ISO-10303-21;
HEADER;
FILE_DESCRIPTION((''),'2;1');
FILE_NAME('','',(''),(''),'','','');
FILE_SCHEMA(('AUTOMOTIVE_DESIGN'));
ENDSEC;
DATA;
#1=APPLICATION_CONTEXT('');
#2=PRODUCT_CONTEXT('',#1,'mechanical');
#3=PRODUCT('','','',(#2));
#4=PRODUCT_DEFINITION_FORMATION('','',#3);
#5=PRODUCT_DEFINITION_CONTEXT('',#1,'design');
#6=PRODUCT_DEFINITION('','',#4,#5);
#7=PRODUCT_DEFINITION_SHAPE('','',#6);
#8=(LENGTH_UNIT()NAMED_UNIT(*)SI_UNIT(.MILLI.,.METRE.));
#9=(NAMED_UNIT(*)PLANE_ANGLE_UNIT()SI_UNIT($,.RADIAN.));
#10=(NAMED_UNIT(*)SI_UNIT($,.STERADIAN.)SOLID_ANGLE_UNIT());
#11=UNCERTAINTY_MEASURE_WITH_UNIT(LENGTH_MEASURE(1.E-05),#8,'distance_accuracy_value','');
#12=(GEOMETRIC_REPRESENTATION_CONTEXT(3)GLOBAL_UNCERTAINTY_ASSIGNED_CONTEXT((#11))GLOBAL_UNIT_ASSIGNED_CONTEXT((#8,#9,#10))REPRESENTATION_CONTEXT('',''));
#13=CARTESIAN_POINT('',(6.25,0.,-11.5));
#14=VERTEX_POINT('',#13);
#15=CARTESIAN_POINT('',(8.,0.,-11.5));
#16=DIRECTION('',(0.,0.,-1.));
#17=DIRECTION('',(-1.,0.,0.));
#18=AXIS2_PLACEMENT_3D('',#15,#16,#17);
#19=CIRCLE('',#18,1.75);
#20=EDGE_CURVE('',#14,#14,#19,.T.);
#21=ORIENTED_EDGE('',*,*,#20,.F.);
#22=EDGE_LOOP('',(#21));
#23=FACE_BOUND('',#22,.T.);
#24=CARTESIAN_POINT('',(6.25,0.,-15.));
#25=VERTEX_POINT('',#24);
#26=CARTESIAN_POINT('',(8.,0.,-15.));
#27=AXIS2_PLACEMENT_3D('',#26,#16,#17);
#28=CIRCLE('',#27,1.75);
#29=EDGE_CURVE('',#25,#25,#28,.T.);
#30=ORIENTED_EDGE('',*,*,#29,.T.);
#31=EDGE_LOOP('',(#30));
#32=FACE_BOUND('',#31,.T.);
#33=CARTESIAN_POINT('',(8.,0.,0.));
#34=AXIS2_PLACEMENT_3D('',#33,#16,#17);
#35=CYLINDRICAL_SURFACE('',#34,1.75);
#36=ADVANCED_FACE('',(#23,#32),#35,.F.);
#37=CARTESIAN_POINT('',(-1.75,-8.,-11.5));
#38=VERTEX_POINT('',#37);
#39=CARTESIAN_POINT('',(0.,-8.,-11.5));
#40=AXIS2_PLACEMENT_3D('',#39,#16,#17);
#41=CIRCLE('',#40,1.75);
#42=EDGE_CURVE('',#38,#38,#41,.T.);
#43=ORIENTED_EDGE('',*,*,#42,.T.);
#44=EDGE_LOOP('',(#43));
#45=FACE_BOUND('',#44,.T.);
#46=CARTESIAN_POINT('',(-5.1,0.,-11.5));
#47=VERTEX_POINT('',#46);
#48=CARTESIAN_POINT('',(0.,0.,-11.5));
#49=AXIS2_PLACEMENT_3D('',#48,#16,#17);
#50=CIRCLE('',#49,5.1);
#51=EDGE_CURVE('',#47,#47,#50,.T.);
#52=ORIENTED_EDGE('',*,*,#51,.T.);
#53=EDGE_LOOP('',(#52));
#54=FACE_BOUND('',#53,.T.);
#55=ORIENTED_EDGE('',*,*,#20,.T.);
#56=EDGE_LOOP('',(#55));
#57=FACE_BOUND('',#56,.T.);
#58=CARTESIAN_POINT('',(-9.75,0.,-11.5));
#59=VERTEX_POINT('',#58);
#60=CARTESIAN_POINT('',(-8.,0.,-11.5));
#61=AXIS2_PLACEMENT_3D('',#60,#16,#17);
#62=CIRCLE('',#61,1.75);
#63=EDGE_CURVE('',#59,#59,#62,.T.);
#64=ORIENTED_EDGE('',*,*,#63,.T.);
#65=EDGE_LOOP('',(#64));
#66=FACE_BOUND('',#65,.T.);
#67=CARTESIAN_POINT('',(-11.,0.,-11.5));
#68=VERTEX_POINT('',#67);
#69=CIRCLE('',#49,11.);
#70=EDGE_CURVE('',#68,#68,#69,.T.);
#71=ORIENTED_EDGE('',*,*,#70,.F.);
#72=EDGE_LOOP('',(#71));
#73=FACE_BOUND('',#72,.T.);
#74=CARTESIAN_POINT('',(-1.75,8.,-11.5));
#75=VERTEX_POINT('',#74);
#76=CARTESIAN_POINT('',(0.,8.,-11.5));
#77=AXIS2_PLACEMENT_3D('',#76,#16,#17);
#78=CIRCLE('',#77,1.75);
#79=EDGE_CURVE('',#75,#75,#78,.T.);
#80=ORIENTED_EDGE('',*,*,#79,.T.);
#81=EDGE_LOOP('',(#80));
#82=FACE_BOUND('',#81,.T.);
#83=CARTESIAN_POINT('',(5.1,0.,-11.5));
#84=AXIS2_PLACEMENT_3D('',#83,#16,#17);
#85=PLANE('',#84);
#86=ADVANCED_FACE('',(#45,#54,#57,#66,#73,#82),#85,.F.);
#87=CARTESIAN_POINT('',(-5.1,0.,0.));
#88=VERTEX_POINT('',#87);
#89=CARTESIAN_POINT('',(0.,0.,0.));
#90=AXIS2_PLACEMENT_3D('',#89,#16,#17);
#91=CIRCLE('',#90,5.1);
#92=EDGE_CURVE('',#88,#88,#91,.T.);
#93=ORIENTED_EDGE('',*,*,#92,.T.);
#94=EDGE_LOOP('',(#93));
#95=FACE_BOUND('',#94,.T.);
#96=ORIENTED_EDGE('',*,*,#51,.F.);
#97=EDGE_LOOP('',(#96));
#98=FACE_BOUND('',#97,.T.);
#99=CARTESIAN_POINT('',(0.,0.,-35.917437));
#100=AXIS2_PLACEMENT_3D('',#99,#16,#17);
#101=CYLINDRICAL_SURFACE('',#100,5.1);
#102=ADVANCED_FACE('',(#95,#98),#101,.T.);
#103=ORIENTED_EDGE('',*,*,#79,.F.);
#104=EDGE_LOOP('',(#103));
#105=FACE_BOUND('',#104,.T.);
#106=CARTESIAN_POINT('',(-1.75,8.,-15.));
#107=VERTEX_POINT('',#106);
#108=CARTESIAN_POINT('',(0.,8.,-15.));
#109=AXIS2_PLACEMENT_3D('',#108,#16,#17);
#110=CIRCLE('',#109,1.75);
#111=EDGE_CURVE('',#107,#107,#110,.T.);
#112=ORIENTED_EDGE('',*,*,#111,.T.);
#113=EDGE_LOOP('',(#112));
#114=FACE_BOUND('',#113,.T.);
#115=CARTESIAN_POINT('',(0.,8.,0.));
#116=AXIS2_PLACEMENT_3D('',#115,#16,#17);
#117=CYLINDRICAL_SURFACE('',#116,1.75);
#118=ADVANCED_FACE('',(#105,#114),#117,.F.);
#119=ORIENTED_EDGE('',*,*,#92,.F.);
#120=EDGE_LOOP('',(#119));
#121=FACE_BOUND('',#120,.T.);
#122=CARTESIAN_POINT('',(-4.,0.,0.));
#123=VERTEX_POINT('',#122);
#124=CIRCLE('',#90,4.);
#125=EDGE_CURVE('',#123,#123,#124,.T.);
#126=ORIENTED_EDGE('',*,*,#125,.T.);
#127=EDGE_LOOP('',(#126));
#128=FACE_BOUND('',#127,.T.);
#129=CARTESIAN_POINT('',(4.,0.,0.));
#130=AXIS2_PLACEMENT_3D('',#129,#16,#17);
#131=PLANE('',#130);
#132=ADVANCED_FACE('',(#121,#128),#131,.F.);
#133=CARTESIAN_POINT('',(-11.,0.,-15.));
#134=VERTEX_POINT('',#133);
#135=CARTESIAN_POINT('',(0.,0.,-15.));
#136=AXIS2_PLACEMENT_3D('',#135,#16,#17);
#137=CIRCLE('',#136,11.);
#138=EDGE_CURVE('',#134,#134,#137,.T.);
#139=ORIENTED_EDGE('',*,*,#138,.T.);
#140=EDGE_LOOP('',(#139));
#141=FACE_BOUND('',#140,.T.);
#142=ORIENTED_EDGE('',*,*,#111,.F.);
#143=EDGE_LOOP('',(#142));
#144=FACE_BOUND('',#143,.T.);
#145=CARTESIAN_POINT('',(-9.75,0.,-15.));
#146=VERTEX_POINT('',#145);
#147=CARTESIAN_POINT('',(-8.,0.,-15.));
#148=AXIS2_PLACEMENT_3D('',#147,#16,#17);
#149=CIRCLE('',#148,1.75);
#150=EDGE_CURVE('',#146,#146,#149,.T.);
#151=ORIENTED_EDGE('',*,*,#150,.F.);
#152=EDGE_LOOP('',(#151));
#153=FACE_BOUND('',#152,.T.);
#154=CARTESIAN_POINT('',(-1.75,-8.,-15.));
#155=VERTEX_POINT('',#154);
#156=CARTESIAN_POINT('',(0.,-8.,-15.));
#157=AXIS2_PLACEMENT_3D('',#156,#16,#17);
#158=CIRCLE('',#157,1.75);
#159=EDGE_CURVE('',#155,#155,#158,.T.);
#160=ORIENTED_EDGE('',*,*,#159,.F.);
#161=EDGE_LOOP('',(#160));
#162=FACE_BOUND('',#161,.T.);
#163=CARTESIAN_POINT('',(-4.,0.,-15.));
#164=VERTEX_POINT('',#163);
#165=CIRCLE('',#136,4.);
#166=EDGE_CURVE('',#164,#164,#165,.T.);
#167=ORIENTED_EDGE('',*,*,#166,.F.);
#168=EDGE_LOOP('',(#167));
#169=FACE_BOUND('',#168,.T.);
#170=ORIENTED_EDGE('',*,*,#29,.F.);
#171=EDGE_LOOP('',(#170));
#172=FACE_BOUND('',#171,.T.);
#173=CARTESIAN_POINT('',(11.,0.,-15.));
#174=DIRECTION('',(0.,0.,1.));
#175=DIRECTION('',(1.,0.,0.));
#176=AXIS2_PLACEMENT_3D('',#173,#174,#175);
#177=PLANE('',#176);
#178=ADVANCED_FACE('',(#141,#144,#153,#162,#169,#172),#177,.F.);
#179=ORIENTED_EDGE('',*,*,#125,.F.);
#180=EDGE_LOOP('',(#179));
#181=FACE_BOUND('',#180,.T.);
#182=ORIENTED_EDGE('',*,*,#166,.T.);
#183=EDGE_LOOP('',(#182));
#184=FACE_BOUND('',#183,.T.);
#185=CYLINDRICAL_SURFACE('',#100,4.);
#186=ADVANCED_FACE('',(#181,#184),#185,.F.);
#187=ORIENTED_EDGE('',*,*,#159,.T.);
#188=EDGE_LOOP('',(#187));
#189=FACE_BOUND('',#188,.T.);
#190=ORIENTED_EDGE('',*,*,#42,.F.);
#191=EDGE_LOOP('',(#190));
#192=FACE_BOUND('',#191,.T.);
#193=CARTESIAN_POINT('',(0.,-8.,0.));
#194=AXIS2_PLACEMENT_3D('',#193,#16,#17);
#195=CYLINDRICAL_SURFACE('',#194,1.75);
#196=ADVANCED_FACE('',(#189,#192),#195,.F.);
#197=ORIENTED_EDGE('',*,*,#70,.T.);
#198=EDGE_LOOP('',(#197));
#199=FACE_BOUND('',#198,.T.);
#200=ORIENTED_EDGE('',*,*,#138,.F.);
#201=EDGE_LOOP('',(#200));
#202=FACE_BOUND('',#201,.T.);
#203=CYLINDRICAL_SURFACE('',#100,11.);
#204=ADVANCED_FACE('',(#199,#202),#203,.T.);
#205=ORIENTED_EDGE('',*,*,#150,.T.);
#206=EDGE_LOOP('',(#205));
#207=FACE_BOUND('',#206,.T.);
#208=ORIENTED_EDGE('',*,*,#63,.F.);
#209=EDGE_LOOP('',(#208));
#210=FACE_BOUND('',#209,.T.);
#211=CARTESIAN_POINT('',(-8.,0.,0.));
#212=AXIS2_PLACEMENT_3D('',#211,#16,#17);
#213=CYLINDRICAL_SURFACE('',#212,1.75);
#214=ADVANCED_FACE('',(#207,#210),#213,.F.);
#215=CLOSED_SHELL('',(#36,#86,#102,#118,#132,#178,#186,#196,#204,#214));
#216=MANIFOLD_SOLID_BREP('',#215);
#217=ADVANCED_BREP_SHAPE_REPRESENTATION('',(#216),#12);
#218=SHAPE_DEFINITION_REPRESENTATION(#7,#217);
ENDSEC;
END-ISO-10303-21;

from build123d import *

# Parameters (mm, degrees)
SKETCH_2_R          = 1.75
CUT_EXTRUDE_1_DEPTH = 22.610182785


with BuildPart() as part:
    # 草图1 → 旋转1 (revolve)
    with BuildSketch(Plane(origin=(0, 0, 0), x_dir=(1, 0, 0), z_dir=(0, 1, 0)), mode=Mode.PRIVATE) as revolve_1_sk:
        Polygon((4, 15), (4, 0), (5.1, 0), (5.1, 11.5), (11, 11.5), (11, 15), align=None)
    revolve(revolve_1_sk.sketch.rotate(Axis((0, 0, -35.917436649), (0, 0, 1)), 180), axis=Axis((0, 0, -35.917436649), (0, 0, 1)))

    # 草图2 → 切除-拉伸1 (cut, through all)
    with BuildSketch(Plane(origin=(0, 0, -15), x_dir=(-1, 0, 0), z_dir=(0, 0, -1))):
        with Locations((0, 8)):
            Circle(SKETCH_2_R)
        with Locations((8, 0)):
            Circle(SKETCH_2_R)
        with Locations((0, -8)):
            Circle(SKETCH_2_R)
        with Locations((-8, 0)):
            Circle(SKETCH_2_R)
    extrude(amount=-CUT_EXTRUDE_1_DEPTH, mode=Mode.SUBTRACT)


solid = part.part
